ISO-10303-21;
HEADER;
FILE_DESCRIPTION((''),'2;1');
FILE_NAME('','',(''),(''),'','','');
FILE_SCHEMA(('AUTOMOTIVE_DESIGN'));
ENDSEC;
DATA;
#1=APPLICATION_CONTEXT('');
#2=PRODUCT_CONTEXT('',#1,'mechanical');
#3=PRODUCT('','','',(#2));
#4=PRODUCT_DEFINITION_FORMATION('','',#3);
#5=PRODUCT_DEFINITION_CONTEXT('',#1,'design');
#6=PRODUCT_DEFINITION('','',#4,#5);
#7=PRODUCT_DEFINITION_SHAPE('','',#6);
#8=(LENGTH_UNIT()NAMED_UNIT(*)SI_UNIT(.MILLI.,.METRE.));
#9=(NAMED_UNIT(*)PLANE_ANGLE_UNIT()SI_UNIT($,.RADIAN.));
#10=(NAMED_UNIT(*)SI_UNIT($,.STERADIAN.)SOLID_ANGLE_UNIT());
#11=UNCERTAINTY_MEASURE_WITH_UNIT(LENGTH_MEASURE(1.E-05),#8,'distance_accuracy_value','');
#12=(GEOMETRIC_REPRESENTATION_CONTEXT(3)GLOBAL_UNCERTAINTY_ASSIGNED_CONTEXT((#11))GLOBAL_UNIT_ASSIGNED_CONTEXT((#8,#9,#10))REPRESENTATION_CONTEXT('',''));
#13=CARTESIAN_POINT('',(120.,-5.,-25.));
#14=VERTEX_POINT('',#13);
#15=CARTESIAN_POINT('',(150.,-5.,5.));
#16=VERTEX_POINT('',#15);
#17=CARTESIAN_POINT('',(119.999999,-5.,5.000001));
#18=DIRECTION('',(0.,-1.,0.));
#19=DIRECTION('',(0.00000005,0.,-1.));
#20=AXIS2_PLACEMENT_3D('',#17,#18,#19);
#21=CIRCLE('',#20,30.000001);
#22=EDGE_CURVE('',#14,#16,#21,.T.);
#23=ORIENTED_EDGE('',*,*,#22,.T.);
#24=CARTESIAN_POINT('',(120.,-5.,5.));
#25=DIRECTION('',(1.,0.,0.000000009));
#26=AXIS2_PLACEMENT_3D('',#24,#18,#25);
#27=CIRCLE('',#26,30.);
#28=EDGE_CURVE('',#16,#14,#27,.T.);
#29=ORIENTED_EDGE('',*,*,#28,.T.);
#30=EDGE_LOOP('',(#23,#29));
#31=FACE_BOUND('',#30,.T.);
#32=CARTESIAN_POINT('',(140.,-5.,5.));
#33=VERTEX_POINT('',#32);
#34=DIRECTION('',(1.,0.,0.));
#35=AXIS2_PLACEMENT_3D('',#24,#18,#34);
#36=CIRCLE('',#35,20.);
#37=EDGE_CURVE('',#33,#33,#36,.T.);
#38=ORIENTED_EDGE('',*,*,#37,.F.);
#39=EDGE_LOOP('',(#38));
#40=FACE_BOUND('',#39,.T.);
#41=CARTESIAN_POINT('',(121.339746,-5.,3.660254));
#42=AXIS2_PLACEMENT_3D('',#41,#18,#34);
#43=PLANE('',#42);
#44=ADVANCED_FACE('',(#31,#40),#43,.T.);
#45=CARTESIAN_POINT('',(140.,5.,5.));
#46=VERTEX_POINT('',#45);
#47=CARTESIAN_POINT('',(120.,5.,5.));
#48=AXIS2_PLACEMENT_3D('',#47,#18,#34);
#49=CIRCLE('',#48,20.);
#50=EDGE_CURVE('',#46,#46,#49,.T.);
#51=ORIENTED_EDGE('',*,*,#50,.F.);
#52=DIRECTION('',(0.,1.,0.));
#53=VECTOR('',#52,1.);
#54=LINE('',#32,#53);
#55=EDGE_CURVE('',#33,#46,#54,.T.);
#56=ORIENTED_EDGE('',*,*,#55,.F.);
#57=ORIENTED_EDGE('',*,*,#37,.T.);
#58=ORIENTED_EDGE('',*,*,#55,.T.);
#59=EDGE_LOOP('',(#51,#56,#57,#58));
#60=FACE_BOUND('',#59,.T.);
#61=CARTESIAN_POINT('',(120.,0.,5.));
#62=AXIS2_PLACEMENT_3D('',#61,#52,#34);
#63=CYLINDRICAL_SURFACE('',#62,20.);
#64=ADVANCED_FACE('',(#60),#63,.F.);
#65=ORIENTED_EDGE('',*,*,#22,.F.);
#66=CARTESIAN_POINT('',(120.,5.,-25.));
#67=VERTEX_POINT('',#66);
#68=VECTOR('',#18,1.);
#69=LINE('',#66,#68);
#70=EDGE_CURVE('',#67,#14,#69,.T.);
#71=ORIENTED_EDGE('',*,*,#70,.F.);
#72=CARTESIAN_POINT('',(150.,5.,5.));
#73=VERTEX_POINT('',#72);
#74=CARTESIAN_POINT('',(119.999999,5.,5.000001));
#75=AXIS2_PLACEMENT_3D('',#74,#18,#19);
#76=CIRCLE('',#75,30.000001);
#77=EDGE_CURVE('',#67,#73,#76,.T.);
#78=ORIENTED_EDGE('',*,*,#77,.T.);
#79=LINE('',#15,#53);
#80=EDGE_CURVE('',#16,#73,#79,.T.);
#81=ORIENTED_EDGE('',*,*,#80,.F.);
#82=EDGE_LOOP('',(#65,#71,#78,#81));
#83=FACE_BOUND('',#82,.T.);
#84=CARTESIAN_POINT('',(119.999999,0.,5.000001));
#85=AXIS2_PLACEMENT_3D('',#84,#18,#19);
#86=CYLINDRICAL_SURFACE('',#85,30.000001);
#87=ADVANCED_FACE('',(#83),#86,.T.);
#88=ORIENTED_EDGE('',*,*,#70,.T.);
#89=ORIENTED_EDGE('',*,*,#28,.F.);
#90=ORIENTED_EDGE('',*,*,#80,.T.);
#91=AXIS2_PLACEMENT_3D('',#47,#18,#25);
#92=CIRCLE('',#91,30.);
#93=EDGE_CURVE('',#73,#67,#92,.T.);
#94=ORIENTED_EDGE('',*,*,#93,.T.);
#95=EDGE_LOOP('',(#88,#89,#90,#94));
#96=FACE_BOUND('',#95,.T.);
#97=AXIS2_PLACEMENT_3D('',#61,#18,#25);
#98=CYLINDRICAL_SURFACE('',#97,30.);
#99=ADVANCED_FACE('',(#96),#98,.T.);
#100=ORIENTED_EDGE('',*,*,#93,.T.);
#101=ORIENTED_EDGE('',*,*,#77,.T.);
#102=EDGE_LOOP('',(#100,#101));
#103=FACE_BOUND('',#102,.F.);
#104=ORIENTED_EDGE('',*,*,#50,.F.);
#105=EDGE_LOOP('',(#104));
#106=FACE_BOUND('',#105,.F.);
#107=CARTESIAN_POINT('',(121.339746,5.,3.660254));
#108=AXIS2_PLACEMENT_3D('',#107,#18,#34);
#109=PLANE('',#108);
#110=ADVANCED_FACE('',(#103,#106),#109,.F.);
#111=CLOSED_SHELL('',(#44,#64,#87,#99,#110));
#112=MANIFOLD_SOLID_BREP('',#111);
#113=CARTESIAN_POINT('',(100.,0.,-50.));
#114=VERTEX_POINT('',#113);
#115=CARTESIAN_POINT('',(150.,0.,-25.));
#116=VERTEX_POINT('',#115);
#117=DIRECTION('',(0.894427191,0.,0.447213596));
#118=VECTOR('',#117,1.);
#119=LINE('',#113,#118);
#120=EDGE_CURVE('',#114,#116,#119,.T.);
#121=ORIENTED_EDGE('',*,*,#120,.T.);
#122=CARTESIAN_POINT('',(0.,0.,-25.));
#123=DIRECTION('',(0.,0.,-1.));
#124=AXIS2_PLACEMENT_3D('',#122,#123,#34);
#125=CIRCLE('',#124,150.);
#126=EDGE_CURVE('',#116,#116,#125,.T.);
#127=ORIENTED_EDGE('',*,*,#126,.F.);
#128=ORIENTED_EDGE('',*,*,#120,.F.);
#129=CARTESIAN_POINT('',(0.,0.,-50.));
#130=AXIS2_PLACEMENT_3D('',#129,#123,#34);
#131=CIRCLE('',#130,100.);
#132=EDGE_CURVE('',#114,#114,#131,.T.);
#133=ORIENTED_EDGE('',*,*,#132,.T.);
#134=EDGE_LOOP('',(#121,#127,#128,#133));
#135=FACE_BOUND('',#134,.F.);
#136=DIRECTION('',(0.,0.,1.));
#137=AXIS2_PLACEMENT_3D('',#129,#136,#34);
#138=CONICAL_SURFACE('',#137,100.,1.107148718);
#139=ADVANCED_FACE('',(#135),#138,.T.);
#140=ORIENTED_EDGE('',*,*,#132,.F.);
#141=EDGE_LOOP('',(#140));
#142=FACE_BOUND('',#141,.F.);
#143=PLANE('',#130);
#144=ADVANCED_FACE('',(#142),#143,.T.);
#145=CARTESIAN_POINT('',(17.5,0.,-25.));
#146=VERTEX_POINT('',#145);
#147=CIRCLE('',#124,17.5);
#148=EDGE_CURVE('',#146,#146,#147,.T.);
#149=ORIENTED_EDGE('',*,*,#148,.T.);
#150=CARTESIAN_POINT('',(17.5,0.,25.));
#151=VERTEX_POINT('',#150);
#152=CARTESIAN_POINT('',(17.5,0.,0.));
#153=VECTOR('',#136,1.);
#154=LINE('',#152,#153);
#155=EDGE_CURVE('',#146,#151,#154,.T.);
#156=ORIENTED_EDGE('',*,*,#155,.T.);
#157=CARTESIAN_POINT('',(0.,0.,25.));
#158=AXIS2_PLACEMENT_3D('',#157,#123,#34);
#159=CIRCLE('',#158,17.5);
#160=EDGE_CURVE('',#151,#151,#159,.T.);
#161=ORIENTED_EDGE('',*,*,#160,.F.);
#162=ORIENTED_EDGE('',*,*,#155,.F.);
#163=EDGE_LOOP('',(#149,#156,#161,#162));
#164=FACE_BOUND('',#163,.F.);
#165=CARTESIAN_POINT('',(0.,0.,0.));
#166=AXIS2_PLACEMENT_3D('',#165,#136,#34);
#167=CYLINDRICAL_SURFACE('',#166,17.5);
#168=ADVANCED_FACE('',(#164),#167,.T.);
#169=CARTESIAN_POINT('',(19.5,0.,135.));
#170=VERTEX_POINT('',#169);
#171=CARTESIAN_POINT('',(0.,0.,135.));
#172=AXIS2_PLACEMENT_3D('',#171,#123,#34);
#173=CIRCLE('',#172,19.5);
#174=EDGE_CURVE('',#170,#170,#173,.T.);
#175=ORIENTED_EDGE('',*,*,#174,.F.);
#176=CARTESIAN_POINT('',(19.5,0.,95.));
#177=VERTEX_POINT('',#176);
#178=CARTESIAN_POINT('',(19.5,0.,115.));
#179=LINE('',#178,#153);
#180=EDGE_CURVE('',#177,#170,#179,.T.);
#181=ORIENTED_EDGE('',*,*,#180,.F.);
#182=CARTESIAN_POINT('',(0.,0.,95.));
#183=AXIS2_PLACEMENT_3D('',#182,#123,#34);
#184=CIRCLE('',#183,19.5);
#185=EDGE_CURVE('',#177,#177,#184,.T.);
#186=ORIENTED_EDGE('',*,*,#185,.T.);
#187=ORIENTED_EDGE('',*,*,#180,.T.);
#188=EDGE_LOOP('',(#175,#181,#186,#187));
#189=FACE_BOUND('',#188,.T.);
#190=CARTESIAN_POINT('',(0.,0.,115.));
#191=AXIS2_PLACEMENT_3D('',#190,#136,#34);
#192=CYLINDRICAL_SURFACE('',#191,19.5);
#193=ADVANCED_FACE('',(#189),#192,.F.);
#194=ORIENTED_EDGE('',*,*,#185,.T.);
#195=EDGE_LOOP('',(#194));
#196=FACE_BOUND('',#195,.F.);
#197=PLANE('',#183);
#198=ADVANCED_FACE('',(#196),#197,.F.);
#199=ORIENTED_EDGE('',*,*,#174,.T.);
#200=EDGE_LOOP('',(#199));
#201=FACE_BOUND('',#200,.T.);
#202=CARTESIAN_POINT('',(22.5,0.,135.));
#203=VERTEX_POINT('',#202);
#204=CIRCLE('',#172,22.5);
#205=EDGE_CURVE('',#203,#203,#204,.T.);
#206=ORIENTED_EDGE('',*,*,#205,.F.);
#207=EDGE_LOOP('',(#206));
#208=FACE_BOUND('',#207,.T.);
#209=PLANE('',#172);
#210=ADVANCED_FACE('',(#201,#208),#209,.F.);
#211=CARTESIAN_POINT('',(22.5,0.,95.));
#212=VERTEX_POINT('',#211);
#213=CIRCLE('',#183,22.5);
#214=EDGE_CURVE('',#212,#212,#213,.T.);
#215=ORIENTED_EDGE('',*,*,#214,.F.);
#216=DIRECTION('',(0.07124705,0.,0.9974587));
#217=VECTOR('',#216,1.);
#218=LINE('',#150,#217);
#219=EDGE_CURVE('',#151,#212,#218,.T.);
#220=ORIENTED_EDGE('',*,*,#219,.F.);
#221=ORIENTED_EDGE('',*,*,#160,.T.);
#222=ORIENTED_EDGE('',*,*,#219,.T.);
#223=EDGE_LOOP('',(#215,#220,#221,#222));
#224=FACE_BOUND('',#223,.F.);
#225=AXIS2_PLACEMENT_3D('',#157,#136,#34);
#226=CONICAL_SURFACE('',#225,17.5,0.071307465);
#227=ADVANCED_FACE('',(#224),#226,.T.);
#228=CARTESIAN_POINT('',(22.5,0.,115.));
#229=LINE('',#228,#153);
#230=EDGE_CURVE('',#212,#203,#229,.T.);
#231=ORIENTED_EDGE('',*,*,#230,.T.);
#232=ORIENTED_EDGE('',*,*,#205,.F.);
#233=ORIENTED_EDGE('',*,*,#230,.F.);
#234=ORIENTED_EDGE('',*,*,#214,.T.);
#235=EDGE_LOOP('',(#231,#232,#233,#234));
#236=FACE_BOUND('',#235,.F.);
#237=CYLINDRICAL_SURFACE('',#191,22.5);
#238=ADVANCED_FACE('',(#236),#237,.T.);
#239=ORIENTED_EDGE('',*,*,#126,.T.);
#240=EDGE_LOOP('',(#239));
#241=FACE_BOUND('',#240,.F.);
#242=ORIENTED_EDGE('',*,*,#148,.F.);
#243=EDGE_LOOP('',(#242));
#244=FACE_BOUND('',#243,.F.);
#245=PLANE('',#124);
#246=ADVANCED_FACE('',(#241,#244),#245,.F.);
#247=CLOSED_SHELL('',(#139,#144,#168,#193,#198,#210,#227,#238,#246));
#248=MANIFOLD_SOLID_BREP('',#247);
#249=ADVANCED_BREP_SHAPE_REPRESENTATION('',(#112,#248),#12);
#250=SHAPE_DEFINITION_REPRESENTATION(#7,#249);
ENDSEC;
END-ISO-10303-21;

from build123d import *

# Parameters (mm, degrees)
F0_W     = 3
F0_H     = 40
F0_W_2   = 17.5
F0_H_2   = 50
F0_R     = 20
F2_DEPTH = 5


with BuildPart() as f1:
    # F0 (on Front) → F1 (revolve)
    with BuildSketch(Plane.XZ):
        with Locations((21, 115)):
            Rectangle(F0_W, F0_H)
        Polygon((0, 25), (17.5, 25), (22.5, 95), (19.5, 95), (0, 95), align=None)
        with Locations((8.75, 0)):
            Rectangle(F0_W_2, F0_H_2)
        Polygon((120, -25), (17.5, -25), (0, -25), (0, -50), (100, -50), (150, -25), align=None)
    revolve(axis=Axis((0, 0, 42.5), (0, 0, -1)))

    # F0 (on Front) → F2 (join, symmetric)
    with BuildSketch(Plane.XZ):
        with BuildLine():
            ThreePointArc((150, 5), (98.786797, 26.213203), (120, -25))
            ThreePointArc((120, -25), (141.213203, -16.213203), (150, 5))
        make_face()
        with Locations((120, 5)):
            Circle(F0_R, mode=Mode.SUBTRACT)
    extrude(amount=F2_DEPTH, both=True)


solid = f1.part
